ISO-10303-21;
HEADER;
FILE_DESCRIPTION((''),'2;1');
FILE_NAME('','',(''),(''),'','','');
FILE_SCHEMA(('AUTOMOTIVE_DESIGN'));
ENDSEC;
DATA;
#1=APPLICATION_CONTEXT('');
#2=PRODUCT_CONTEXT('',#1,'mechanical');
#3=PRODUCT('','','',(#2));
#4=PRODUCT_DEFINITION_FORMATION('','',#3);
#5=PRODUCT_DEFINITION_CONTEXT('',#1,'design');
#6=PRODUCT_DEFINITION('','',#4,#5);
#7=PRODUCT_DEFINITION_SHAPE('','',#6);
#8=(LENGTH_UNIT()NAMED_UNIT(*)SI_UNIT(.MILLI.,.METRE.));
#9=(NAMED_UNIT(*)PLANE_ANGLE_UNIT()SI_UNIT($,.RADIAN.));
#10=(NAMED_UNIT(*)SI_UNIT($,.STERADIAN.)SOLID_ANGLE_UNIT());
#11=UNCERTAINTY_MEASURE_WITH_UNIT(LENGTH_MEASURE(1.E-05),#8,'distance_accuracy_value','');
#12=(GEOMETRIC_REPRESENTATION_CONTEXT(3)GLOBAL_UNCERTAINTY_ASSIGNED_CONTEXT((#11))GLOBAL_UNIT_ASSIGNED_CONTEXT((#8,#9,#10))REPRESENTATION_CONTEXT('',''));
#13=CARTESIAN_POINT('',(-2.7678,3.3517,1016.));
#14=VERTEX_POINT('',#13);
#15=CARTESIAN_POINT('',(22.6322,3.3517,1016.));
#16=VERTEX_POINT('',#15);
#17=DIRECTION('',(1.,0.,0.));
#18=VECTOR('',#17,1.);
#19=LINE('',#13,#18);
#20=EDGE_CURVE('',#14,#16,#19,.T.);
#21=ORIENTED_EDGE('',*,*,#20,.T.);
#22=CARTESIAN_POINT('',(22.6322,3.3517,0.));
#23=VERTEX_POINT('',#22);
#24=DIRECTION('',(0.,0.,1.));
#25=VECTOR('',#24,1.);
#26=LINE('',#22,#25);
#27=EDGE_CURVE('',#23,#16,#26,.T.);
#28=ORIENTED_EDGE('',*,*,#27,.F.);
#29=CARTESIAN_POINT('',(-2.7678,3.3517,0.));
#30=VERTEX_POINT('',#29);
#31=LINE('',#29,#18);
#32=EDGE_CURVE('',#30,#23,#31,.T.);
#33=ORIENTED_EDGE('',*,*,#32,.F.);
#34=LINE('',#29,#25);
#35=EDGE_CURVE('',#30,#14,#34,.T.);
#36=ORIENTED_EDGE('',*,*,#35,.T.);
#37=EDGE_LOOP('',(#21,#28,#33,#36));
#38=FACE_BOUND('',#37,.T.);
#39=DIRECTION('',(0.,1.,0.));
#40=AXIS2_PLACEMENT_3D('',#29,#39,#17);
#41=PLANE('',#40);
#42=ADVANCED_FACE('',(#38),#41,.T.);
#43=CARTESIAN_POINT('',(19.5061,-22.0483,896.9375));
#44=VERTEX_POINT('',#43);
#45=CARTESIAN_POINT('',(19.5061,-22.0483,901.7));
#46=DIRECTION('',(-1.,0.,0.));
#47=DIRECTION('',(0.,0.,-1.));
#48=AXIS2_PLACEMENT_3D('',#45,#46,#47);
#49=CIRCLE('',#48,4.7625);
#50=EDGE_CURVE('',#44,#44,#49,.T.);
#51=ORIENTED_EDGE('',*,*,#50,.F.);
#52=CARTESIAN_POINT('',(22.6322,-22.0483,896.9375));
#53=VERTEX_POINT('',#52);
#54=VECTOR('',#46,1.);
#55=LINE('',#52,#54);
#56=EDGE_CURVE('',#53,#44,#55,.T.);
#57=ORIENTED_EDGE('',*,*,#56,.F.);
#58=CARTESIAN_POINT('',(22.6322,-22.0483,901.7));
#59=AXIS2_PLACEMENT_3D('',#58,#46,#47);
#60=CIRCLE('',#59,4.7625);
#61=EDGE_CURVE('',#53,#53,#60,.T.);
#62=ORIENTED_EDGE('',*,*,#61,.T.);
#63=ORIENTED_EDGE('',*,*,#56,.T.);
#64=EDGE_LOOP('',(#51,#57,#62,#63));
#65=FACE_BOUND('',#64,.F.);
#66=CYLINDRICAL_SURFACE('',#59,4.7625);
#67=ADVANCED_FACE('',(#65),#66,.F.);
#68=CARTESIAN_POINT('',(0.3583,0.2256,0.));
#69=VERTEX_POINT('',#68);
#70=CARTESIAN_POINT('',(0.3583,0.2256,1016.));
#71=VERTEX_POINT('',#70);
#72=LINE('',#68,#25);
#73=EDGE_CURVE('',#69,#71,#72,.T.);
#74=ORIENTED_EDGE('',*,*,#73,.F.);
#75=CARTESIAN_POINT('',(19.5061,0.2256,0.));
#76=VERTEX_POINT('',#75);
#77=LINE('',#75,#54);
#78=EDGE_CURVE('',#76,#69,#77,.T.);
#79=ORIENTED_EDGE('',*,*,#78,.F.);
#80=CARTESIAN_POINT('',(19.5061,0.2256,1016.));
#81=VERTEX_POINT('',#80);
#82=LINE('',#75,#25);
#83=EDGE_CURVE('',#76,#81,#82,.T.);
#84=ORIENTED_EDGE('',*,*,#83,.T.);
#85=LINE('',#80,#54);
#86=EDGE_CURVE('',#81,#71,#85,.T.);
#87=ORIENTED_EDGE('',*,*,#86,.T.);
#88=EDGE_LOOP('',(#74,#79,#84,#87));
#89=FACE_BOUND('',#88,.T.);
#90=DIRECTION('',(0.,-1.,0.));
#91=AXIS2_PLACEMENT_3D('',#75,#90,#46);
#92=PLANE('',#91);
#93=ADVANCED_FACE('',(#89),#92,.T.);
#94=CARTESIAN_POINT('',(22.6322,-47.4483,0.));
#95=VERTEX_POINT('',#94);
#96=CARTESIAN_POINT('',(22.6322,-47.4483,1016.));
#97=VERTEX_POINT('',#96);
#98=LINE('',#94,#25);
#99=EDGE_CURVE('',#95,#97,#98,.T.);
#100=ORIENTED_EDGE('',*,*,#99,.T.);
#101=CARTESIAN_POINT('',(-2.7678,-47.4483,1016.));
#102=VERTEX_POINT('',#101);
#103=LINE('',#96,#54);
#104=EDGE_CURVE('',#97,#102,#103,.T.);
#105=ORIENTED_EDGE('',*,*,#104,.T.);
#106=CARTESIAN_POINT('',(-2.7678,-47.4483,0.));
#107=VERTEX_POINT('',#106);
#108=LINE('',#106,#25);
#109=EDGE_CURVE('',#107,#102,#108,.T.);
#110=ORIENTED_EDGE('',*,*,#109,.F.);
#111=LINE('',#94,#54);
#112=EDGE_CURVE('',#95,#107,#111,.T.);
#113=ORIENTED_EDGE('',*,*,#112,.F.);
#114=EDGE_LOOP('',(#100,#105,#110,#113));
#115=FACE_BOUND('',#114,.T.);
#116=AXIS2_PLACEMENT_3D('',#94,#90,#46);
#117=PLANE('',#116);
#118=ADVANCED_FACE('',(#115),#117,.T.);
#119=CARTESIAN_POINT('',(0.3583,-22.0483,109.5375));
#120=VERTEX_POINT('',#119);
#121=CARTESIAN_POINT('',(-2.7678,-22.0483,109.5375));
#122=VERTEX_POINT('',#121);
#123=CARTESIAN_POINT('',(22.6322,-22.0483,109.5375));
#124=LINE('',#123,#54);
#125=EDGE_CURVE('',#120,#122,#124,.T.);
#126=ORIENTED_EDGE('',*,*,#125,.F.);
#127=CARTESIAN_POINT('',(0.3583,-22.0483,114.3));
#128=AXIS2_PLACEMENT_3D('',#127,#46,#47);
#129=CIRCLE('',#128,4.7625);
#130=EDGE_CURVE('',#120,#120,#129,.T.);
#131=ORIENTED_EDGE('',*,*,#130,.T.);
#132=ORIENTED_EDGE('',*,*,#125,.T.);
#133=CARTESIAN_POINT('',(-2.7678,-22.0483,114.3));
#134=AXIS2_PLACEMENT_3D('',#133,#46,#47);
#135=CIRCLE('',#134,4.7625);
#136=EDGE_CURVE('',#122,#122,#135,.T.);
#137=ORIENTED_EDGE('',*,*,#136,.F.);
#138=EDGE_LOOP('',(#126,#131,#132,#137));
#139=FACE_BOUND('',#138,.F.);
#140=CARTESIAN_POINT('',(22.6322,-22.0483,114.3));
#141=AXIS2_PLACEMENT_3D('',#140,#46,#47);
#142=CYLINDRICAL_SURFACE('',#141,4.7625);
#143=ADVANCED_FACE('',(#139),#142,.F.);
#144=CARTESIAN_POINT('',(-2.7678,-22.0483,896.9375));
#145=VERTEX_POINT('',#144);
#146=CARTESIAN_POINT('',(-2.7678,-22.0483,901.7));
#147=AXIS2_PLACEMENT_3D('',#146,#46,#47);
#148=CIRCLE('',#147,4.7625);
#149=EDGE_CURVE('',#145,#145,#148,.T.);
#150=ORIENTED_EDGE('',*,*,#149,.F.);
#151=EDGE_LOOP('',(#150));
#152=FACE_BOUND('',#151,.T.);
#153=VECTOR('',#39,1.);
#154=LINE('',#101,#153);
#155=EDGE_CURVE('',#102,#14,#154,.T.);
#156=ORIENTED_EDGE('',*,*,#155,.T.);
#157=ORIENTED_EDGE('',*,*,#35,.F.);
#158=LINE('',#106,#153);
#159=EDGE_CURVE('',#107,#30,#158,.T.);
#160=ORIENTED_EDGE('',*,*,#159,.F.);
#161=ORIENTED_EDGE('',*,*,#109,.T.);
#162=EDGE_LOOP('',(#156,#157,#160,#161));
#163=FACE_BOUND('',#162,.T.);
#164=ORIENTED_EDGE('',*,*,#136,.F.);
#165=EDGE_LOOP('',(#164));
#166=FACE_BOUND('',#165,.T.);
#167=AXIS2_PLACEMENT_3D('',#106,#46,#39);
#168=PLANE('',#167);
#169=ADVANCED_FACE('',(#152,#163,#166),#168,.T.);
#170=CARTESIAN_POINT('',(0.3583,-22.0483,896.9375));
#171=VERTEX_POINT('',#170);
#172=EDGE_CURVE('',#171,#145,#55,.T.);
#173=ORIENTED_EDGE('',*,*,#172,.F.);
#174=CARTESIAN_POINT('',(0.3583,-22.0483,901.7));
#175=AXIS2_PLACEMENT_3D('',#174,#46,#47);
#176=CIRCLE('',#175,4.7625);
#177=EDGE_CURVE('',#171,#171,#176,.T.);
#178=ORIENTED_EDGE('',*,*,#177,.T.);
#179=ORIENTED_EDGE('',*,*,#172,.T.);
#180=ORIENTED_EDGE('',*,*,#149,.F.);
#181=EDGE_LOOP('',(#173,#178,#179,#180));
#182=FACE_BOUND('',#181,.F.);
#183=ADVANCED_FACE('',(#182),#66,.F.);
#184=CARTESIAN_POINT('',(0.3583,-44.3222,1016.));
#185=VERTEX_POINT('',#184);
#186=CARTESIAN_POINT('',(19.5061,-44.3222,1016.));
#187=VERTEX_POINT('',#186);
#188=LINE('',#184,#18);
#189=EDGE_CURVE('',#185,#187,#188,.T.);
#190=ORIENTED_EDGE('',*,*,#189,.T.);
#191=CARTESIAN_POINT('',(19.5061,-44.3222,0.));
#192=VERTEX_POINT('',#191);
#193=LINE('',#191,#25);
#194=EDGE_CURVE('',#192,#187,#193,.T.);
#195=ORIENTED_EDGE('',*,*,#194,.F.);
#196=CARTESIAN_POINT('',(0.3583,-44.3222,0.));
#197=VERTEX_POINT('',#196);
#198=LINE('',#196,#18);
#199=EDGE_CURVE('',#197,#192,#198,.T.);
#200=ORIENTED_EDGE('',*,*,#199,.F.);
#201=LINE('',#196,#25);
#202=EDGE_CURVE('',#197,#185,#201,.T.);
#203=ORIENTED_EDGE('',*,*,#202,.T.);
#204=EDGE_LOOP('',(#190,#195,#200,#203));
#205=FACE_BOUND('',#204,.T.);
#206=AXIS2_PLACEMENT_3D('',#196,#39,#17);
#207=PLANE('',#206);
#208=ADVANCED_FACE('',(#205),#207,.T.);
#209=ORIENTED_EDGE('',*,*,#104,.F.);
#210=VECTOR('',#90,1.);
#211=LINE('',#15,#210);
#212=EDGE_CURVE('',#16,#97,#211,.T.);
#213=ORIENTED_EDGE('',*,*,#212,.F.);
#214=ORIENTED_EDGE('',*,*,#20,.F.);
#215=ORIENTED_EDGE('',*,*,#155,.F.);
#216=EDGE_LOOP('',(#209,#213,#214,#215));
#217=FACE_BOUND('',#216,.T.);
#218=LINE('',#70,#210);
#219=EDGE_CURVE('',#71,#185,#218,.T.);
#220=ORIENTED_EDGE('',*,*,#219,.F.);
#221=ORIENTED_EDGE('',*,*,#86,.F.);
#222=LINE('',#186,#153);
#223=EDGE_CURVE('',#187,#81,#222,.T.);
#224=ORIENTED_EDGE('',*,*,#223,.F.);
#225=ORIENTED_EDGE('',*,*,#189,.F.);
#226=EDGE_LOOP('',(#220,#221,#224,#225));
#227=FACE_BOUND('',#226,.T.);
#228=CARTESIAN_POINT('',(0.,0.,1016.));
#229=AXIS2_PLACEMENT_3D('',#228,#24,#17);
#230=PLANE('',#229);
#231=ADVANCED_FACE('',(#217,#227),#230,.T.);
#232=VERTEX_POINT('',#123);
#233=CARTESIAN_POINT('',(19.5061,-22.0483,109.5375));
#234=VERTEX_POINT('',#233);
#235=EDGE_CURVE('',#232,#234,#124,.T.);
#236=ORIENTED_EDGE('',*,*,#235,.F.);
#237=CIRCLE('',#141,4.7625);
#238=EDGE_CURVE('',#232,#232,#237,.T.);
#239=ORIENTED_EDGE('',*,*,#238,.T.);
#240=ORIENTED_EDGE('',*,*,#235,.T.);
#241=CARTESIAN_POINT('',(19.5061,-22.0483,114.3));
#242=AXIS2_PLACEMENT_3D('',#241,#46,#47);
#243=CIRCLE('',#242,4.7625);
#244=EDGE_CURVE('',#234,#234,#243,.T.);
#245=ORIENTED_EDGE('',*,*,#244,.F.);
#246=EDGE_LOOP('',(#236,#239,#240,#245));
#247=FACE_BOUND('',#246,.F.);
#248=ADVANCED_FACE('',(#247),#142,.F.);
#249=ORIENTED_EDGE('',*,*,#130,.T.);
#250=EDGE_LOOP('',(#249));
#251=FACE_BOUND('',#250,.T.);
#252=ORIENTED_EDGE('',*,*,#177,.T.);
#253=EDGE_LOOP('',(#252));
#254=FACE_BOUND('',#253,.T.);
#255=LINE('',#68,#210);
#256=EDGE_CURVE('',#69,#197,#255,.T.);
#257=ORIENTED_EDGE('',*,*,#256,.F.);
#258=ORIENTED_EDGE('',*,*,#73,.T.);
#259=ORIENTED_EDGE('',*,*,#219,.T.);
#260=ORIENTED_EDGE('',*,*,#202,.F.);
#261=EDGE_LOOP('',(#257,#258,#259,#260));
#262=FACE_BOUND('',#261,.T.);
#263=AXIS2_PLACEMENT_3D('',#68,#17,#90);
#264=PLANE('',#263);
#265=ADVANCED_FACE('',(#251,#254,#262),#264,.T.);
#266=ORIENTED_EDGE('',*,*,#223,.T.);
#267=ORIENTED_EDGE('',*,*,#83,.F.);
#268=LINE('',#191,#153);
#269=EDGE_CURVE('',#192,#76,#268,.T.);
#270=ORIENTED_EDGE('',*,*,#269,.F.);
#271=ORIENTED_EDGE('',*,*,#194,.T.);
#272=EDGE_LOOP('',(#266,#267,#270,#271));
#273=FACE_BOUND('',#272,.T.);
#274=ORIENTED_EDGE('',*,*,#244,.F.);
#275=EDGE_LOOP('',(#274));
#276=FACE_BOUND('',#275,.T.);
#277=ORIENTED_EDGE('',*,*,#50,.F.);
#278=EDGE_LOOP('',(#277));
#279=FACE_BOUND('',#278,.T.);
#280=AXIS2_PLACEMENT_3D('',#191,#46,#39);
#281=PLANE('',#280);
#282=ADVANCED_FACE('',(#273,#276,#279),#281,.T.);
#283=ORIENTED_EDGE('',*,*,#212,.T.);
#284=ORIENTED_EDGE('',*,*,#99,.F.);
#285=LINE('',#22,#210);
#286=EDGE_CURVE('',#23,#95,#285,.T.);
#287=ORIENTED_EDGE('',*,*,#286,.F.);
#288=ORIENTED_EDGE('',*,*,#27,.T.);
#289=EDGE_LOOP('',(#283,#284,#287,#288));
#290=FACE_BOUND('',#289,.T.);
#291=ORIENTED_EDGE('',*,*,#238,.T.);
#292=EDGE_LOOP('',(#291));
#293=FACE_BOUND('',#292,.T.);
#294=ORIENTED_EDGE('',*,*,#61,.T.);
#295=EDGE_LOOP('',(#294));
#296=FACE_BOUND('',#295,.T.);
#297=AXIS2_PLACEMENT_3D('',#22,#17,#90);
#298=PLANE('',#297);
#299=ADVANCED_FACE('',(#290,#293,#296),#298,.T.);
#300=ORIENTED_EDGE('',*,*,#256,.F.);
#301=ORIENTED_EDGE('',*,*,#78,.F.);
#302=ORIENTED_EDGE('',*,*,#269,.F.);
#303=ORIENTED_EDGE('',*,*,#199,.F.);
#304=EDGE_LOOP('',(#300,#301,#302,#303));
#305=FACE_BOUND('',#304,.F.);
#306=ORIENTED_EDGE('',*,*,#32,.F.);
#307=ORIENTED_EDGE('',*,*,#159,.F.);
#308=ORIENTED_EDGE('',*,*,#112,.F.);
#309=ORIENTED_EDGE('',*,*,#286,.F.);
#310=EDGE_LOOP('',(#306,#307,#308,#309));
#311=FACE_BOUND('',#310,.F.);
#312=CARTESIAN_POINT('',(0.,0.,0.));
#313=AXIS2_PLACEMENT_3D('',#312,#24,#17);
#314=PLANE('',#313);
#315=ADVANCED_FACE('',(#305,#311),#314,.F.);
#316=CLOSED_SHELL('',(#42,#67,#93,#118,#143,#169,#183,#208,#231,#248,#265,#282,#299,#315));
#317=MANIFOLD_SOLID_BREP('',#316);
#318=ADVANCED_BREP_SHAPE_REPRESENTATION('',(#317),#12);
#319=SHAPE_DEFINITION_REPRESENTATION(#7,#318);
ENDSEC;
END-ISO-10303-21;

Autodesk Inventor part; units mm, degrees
ref_plane "YZ Plane" through (0, 0, 0) normal (1, 0, 0) x (0, 1, 0)
ref_plane "XZ Plane" through (0, 0, 0) normal (0, 1, 0) x (-1, 0, 0)
ref_plane "XY Plane" through (0, 0, 0) normal (0, 0, 1) x (1, 0, 0)
sketch "Sketch1" plane through (0, 0, 0) normal (0, 0, 1) x (1, 0, 0)
  line L0 (-2.7678, 3.3517) -> (22.6322, 3.3517)
  line L1 (22.6322, 3.3517) -> (22.6322, -47.4483)
  line L2 (22.6322, -47.4483) -> (-2.7678, -47.4483)
  line L3 (-2.7678, -47.4483) -> (-2.7678, 3.3517)
  line L4 (19.5061, 0.2256) -> (0.3583, 0.2256)
  line L5 (0.3583, 0.2256) -> (0.3583, -44.3222)
  line L6 (0.3583, -44.3222) -> (19.5061, -44.3222)
  line L7 (19.5061, -44.3222) -> (19.5061, 0.2256)
  point P0 (0, 0)
  dimension "d0" = 25.4
  dimension "d1" = 50.8
extrude "Extrusion1" add sketch "Sketch1" along normal blind 1016
sketch "Sketch2" plane through (-2.7678, 3.3517, 0) normal (0, 1, 0) x (1, 0, 0)
  point P0 (2.7678, 0)
sketch "Sketch3" plane through (22.6322, -47.4483, 0) normal (1, 0, 0) x (0, 0, -1)
  line L0 (0, 0) -> (-1016, 0) projected
  line L1 (0, 50.8) -> (-114.3, 50.8)
  line L2 (-114.3, 50.8) -> (-114.3, 0)
  line L3 (-114.3, 0) -> (0, 0)
  line L4 (0, 0) -> (0, 50.8)
  line L5 (-1016, 50.8) -> (-901.7, 50.8)
  line L6 (-901.7, 50.8) -> (-901.7, 0)
  line L7 (-901.7, 0) -> (-1016, 0)
  line L8 (-1016, 0) -> (-1016, 50.8)
  point P0 (0, 47.4483)
  point P1 (-114.3, 25.4)
  point P2 (-901.7, 25.4)
  dimension "d4" = 114.3
  dimension "d5" = 114.3
hole "Hole1" at (22.6322, -22.0483, 901.7) at (22.6322, -22.0483, 114.3) direction (-1, 0, 0) diameter 9.525 end through all
properties part number "40in 2x1 boxbeam"
